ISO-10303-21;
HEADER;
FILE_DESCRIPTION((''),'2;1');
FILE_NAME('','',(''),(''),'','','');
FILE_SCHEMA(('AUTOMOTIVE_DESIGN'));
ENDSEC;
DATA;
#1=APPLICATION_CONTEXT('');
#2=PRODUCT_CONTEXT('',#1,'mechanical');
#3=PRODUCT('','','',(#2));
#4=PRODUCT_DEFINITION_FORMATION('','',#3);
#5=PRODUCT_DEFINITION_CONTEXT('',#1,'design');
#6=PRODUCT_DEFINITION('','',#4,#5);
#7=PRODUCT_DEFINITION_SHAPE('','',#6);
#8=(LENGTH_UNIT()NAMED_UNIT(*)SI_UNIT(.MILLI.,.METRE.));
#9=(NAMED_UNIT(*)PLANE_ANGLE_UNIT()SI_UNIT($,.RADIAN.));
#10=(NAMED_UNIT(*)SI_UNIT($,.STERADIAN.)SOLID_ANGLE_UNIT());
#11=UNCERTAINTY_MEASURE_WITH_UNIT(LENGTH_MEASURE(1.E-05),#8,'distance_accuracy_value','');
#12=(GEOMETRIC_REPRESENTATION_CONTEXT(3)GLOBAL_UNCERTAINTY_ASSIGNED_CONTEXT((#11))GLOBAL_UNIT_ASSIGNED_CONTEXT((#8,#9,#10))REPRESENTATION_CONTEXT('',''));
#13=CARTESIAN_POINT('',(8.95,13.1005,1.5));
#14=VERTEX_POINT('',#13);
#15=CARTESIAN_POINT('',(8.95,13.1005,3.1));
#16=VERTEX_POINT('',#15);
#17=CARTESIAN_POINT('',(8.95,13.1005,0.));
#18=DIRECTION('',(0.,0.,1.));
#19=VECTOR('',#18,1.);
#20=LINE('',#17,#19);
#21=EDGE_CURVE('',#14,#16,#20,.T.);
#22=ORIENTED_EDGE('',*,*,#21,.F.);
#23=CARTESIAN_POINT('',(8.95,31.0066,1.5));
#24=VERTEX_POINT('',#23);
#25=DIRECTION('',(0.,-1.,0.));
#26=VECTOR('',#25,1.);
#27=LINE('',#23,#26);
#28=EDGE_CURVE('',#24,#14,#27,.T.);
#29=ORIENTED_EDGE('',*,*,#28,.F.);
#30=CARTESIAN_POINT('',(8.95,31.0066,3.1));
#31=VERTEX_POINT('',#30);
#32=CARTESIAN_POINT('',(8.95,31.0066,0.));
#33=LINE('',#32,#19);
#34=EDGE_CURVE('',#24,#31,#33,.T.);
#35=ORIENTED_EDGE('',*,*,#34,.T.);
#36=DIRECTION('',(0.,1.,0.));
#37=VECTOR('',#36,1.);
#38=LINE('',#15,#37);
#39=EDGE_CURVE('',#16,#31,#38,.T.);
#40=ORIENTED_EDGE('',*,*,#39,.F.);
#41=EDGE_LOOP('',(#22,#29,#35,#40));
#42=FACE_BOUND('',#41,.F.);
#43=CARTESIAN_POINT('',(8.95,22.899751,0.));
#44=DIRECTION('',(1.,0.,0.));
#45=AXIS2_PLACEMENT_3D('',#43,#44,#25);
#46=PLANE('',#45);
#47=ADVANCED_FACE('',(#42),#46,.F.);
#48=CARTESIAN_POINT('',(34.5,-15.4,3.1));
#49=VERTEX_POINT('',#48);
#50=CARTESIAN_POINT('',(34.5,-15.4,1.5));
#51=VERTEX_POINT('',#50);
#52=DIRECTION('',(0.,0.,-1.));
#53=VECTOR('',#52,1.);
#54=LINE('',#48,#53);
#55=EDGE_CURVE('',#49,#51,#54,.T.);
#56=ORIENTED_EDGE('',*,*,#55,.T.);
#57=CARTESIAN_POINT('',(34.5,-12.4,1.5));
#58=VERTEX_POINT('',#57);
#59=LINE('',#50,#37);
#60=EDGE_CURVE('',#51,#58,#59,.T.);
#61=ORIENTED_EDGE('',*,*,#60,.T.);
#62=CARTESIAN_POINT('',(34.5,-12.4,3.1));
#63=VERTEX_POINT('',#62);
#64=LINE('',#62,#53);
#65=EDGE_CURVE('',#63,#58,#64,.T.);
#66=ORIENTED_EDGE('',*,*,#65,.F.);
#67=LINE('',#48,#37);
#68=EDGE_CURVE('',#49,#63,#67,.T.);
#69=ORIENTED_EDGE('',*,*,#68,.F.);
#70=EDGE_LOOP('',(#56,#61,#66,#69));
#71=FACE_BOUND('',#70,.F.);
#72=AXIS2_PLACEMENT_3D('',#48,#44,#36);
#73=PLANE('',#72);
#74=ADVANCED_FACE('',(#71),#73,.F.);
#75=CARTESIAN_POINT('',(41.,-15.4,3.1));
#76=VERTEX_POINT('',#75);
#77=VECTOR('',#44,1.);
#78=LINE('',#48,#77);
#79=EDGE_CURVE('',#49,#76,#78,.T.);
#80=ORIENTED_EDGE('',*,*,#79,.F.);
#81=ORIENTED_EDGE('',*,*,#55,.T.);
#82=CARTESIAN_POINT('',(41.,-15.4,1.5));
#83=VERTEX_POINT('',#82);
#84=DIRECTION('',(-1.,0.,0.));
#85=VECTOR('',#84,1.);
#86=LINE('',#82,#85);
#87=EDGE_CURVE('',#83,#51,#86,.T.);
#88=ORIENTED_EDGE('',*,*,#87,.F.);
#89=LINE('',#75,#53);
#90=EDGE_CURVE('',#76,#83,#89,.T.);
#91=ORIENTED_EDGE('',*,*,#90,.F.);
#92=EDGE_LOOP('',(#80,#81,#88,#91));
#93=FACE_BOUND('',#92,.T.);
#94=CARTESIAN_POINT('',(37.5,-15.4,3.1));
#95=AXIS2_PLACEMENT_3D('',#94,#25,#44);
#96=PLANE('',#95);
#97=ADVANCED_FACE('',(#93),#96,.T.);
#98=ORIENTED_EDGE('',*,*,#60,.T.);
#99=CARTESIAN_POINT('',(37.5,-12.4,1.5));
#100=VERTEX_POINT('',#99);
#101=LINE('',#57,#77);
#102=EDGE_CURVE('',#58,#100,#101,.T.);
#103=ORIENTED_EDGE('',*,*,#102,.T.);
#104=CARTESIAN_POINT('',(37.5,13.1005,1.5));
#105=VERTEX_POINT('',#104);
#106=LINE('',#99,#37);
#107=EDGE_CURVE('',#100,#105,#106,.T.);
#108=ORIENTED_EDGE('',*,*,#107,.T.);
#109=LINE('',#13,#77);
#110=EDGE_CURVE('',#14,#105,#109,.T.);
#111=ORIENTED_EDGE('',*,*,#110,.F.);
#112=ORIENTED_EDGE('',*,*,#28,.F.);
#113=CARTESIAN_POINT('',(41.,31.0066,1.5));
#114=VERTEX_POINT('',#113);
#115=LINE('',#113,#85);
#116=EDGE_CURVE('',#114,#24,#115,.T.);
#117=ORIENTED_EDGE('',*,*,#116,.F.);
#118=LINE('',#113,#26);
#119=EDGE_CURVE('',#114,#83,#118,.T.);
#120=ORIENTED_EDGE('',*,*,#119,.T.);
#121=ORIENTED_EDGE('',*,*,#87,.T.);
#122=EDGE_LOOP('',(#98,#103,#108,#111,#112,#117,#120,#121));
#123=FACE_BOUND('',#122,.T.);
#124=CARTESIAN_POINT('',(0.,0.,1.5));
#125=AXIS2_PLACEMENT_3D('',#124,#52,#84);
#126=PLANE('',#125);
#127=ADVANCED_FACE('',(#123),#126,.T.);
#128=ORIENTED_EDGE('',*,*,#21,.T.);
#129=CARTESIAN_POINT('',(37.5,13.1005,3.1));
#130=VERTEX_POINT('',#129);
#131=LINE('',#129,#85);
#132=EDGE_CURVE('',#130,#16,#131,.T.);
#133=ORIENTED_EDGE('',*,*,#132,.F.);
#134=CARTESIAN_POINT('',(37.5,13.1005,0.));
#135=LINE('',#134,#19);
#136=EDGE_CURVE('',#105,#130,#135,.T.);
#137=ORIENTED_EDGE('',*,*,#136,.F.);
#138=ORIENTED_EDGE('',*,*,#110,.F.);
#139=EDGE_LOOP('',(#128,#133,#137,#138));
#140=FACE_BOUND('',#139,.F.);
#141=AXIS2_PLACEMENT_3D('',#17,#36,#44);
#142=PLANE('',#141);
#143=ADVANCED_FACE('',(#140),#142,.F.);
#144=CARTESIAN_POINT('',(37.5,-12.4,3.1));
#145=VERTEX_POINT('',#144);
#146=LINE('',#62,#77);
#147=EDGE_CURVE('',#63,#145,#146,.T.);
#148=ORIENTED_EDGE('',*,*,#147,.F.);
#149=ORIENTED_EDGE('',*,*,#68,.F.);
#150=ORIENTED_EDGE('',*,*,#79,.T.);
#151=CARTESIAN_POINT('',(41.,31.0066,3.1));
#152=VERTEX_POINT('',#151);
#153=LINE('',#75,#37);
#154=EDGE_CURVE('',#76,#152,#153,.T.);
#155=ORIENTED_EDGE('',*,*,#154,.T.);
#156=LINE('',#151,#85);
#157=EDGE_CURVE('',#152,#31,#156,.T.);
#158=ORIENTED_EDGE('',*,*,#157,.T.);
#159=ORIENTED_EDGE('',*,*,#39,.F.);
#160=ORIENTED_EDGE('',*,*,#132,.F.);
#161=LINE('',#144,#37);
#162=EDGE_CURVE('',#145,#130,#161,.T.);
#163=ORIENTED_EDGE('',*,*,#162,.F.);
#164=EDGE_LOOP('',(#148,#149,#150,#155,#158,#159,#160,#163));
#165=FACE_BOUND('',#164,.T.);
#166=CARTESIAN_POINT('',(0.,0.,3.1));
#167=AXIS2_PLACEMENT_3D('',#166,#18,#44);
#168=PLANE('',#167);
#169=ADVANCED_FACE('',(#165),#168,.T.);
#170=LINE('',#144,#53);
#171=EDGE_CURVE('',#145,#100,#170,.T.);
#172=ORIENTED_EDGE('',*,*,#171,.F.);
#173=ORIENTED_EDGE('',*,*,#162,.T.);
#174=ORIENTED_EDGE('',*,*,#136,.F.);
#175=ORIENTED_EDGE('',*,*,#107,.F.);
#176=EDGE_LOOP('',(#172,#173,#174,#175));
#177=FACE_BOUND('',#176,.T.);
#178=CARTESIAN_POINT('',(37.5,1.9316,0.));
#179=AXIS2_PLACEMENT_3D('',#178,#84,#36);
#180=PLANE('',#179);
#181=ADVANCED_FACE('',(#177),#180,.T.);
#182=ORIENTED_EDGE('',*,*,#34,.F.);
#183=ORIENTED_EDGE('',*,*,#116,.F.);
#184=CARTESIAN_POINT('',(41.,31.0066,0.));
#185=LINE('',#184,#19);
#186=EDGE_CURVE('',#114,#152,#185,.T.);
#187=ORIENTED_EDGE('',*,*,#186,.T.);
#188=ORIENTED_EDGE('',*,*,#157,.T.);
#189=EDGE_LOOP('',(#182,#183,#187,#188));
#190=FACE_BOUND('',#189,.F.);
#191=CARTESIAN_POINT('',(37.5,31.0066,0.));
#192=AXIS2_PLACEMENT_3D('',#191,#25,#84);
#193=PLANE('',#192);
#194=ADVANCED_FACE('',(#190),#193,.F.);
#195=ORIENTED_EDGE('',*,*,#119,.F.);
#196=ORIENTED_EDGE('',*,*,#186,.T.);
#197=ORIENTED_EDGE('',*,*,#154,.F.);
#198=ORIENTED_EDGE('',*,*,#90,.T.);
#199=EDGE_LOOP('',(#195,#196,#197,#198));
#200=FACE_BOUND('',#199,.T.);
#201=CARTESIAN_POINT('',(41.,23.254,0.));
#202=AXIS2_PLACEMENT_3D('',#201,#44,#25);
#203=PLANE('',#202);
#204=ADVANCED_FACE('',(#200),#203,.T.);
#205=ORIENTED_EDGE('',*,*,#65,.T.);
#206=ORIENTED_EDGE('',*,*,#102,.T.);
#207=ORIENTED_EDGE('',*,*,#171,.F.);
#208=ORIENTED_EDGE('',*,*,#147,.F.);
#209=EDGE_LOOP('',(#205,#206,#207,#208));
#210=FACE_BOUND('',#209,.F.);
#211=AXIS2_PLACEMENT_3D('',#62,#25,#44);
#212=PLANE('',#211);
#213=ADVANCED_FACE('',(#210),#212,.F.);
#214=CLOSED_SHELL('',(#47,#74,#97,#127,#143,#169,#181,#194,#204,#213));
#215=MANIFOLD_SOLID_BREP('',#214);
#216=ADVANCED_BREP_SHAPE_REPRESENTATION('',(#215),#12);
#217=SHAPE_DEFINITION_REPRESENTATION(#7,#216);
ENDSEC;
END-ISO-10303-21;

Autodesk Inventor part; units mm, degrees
ref_plane "YZ Plane" through (0, 0, 0) normal (1, 0, 0) x (0, 1, 0)
ref_plane "XZ Plane" through (0, 0, 0) normal (0, 1, 0) x (-1, 0, 0)
ref_plane "XY Plane" through (0, 0, 0) normal (0, 0, 1) x (1, 0, 0)
sketch "Sketch1" plane through (0, 0, 0) normal (0, 0, 1) x (1, 0, 0)
  line L0 (12.5, -5.24) -> (15, -5.24) projected
  line L1 (15, -5.24) -> (15, -10.24) projected
  line L2 (15, -10.24) -> (12.5, -10.24) projected
  arc A0 (12.5, -5.24) -> (12.5, -10.24) centre (12.5, -7.74) ccw projected
  line L3 (-15, -5.24) -> (-12.5, -5.24) projected
  arc A1 (-12.5, -10.24) -> (-12.5, -5.24) centre (-12.5, -7.74) ccw projected
  line L4 (-12.5, -10.24) -> (-15, -10.24) projected
  line L5 (-15, -10.24) -> (-15, -5.24) projected
  circle A2 centre (-7.5, -12.2) radius 1.75 projected
  circle A3 centre (7.5, -12.2) radius 1.75 projected
  line L6 (2.4, 25.954) -> (2.4, 24.254) projected
  line L7 (4, 25.954) -> (2.4, 25.954) projected
  line L8 (4, 24.254) -> (4, 25.954) projected
  line L9 (50, 22.6643) -> (44, 22.6643) projected
  line L10 (44, 22.6643) -> (44, -4.7413) projected
  arc A4 (44, -9.7413) -> (44, -4.7413) centre (44, -7.2413) ccw projected
  line L11 (44, -9.7413) -> (44, -18.8012) projected
  line L12 (44, -18.8012) -> (50, -18.8012) projected
  line L13 (50, -18.8012) -> (50, 22.6643) projected
  line L14 (40.2471, -8.6254) -> (44, -18.8012) projected
  line L15 (44, -9.7413) -> (44, -18.8012) projected
  arc A5 (44, -4.7413) -> (44, -9.7413) centre (44, -7.2413) ccw projected
  line L16 (44, 4.3187) -> (44, -4.7413) projected
  line L17 (44, 4.3187) -> (40.2471, -5.8572) projected
  arc A6 (40.2471, -5.8572) -> (40.2471, -8.6254) centre (44, -7.2413) ccw projected
  line L18 (8.95, 13.1005) -> (37.5, 13.1005)
  line L19 (37.5, 13.1005) -> (37.5, 31.0066)
  line L20 (37.5, 31.0066) -> (8.95, 31.0066)
  line L21 (8.95, 31.0066) -> (8.95, 13.1005)
  line L22 (44, 18.1772) -> (41, 18.1772)
  line L23 (41, 18.1772) -> (41, 7.8033)
  line L24 (41, 7.8033) -> (44, 7.8033)
  line L25 (44, 7.8033) -> (44, 18.1772)
  line L26 (37.5, 31.0066) -> (41, 31.0066)
  line L27 (41, 31.0066) -> (41, 1.9316)
  line L28 (41, 1.9316) -> (37.5, 1.9316)
  line L29 (37.5, 1.9316) -> (37.5, 31.0066)
  line L30 (8.95, 31.0066) -> (41, 31.0066)
  line L31 (41, 31.0066) -> (41, 23.254)
  line L32 (41, 23.254) -> (8.95, 23.254)
  line L33 (8.95, 23.254) -> (8.95, 31.0066)
  line L34 (17.8602, 13.1005) -> (37.5, 13.1005)
  line L35 (37.5, 13.1005) -> (37.5, -15.4)
  line L36 (37.5, -15.4) -> (17.8602, -15.4)
  line L37 (17.8602, -15.4) -> (17.8602, 13.1005)
  line L38 (37.5, -15.4) -> (41, -15.4)
  line L39 (41, -15.4) -> (41, 1.9316)
  line L40 (41, 1.9316) -> (37.5, 1.9316)
  line L41 (37.5, 1.9316) -> (37.5, -15.4)
  arc A7 (-17.7252, -6.9095) -> (-17.704, -4.5096) centre (-17.7146, -5.7096) ccw projected
  line L42 (-17.7252, -6.9095) -> (-18.8252, -6.8998) projected
  arc A8 (-18.8039, -4.4999) -> (-18.8252, -6.8998) centre (-18.8145, -5.6998) ccw projected
  line L43 (-18.8039, -4.4999) -> (-17.704, -4.5096) projected
  circle A9 centre (21.3634, 8.1005) radius 1.5 projected
  arc A10 (-17.5172, 16.5895) -> (-17.496, 18.9894) centre (-17.5066, 17.7895) ccw projected
  line L44 (-17.5172, 16.5895) -> (-18.6172, 16.5993) projected
  arc A11 (-18.5959, 18.9992) -> (-18.6172, 16.5993) centre (-18.6065, 17.7992) ccw projected
  line L45 (-18.5959, 18.9992) -> (-17.496, 18.9894) projected
  circle A12 centre (34, -10.4) radius 1.5 projected
  arc A13 (36.5, 15.1772) -> (34.5, 17.1772) centre (34.5, 15.1772) ccw projected
  line L46 (16.4051, 17.1772) -> (34.5, 17.1772) projected
  arc A14 (12.4051, 21.1772) -> (16.4051, 17.1772) centre (16.4051, 21.1772) ccw projected
  line L47 (12.4051, 28.0066) -> (12.4051, 21.1772) projected
  arc A15 (12.4051, 28.0066) -> (10.4051, 30.0066) centre (10.4051, 28.0066) ccw projected
  line L48 (-18.5665, 30.0066) -> (10.4051, 30.0066) projected
  arc A16 (-18.5665, 30.0066) -> (-20.5665, 28.0066) centre (-18.5665, 28.0066) ccw projected
  line L49 (-20.5665, 18.4539) -> (-20.5665, 28.0066) projected
  arc A17 (-24.5665, 14.4539) -> (-20.5665, 18.4539) centre (-24.5665, 18.4539) ccw projected
  line L50 (-34.5, 14.4539) -> (-24.5665, 14.4539) projected
  arc A18 (-34.5, 14.4539) -> (-36.5, 12.4539) centre (-34.5, 12.4539) ccw projected
  line L51 (-36.5, -12.4) -> (-36.5, 12.4539) projected
  arc A19 (-36.5, -12.4) -> (-34.5, -14.4) centre (-34.5, -12.4) ccw projected
  line L52 (34.5, -14.4) -> (-34.5, -14.4) projected
  arc A20 (34.5, -14.4) -> (36.5, -12.4) centre (34.5, -12.4) ccw projected
  line L53 (36.5, 15.1772) -> (36.5, -12.4) projected
  line L54 (5.95, 24.254) -> (4, 24.254) projected
  arc A21 (9.95, 20.254) -> (5.95, 24.254) centre (5.95, 20.254) ccw projected
  line L55 (9.95, 16.1005) -> (9.95, 20.254) projected
  arc A22 (9.95, 16.1005) -> (11.95, 14.1005) centre (11.95, 16.1005) ccw projected
  line L56 (14.8602, 14.1005) -> (11.95, 14.1005) projected
  arc A23 (18.8602, 10.1005) -> (14.8602, 14.1005) centre (14.8602, 10.1005) ccw projected
  line L57 (18.8602, -0.2) -> (18.8602, 10.1005) projected
  arc A24 (14.8602, -4.2) -> (18.8602, -0.2) centre (14.8602, -0.2) ccw projected
  line L58 (12.1354, -4.2) -> (14.8602, -4.2) projected
  arc A25 (12.1354, -4.2) -> (11.1485, -4.4605) centre (12.1354, -6.2) ccw projected
  line L59 (7.9105, -6.2976) -> (11.1485, -4.4605) projected
  arc A26 (5.9366, -6.8186) -> (7.9105, -6.2976) centre (5.9366, -2.8186) ccw projected
  line L60 (-5.9366, -6.8186) -> (5.9366, -6.8186) projected
  arc A27 (-7.9105, -6.2976) -> (-5.9366, -6.8186) centre (-5.9366, -2.8186) ccw projected
  line L61 (-11.1485, -4.4605) -> (-7.9105, -6.2976) projected
  arc A28 (-11.1485, -4.4605) -> (-12.1354, -4.2) centre (-12.1354, -6.2) ccw projected
  line L62 (-14.8602, -4.2) -> (-12.1354, -4.2) projected
  arc A29 (-18.8602, -0.2) -> (-14.8602, -4.2) centre (-14.8602, -0.2) ccw projected
  line L63 (-18.8602, 10.3433) -> (-18.8602, -0.2) projected
  arc A30 (-15.9867, 14.1814) -> (-18.8602, 10.3433) centre (-14.8602, 10.3433) ccw projected
  arc A31 (-15.9867, 14.1814) -> (-14.55, 16.1005) centre (-16.55, 16.1005) ccw projected
  line L64 (-14.55, 20.254) -> (-14.55, 16.1005) projected
  arc A32 (-10.55, 24.254) -> (-14.55, 20.254) centre (-10.55, 20.254) ccw projected
  line L65 (2.4, 24.254) -> (-10.55, 24.254) projected
  point P0 (0, 0)
  point P1 (41, -3.8157)
  point P2 (41, -10.6668)
  dimension "d0" = 3
extrude "Extrusion1" add sketch "Sketch1" along normal blind 3.1 contours A21 L55 A22 L56 A23 L18 L21 | L21 L32 L47 A14 L46 A13 L53 L18 A23 L56 A22 L55 A21 | L21 L48 A15 L47 L32 | L21 L20 L19 L32 L47 A15 L48 | L32 L19 L18 L53 A13 L46 A14 L47 | L32 L27 L23 L28 L29 L19 | L19 L26 L27 L32
sketch "Sketch2" plane through (0, 0, 0) normal (0, 0, -1) x (-1, 0, 0)
  line L0 (-8.95, 31.0066) -> (-8.95, 13.1005) projected
  line L1 (-41, 1.9316) -> (-41, 31.0066) projected
  line L2 (-37.5, 1.9316) -> (-41, 1.9316) projected
  line L3 (-41, 31.0066) -> (-8.95, 31.0066) projected
  line L4 (-37.5, 13.1005) -> (-37.5, 1.9316) projected
  line L5 (-8.95, 13.1005) -> (-37.5, 13.1005) projected
  point P0 (0, 0)
extrude "Extrusion2" cut sketch "Sketch2" against normal blind 1.5
sketch "Sketch3" plane through (41, -3.8157, 3.1) normal (1, 0, 0) x (0, 0, -1)
  line L0 (38.317, 76.7923) -> (28.0867, 64.6003) projected
  line L1 (-3.9, -14.9855) -> (-3.9, 26.48) projected
  line L2 (-3.9, -14.9855) -> (7.1, -14.9855) projected
  line L3 (7.1, -14.9855) -> (7.1, 1.1145) projected
  arc A0 (25.2, 19.2145) -> (7.1, 1.1145) centre (25.2, 1.1145) ccw projected
  line L4 (25.2, 19.2145) -> (36.2, 19.2145) projected
  line L5 (1.6, 5.7473) -> (1.6, 34.8223) projected
  line L6 (1.6, 34.8223) -> (0, 34.8223) projected
  line L7 (0, 5.7473) -> (0, 34.8223) projected
  line L8 (0, 0) -> (0, 34.8223) projected
  line L9 (0, 30.197) -> (1.6, 30.197)
  line L10 (28.0867, 30.906) -> (23.6867, 30.906) projected
  line L11 (23.6867, 30.906) -> (23.6867, 44.6714) projected
  line L12 (23.6867, 44.6714) -> (28.0867, 44.6714) projected
  line L13 (28.0867, 44.6714) -> (28.0867, 30.906) projected
  line L14 (28.0867, 64.6003) -> (28.0867, 59.2448) projected
  line L15 (36.2, 19.2145) -> (36.2, 63.075) projected
  line L16 (36.2, 63.075) -> (39.2, 63.075) projected
  line L17 (39.2, 63.075) -> (39.2, 76.4709) projected
  line L18 (23.5929, 59.2448) -> (-3.9, 26.48) projected
  arc A1 (39.2, 76.4709) -> (38.317, 76.7923) centre (38.7, 76.4709) ccw projected
  line L19 (23.5929, 59.2448) -> (28.0867, 59.2448) projected
  line L20 (11.8485, 39.6478) -> (14.4531, 37.4623) projected
  line L21 (14.4531, 37.4623) -> (10.9819, 33.3255) projected
  line L22 (10.9819, 33.3255) -> (8.3773, 35.511) projected
  line L23 (11.8485, 39.6478) -> (8.3773, 35.511) projected
  line L24 (1.6, 5.7473) -> (0, 5.7473) projected
  point P0 (3.1, 3.8157)
  point P1 (36.2, 74.2694)
extrude "Extrusion3" [suppressed]
sketch "Sketch4" plane through (0, 0, 3.1) normal (0, 0, 1) x (1, 0, 0)
  line L0 (31.7, -15.7) -> (31.7, 9.3) projected
  line L1 (41, -15.4) -> (41, -10.6668) projected
  line L2 (41, -3.8157) -> (41, -10.6668)
  line L3 (37.5, 1.9316) -> (41, 1.9316) projected
  line L4 (41, 31.0066) -> (8.95, 31.0066) projected
  line L5 (8.95, 31.0066) -> (8.95, 13.1005) projected
  line L6 (8.95, 13.1005) -> (37.5, 13.1005) projected
  line L7 (37.5, 13.1005) -> (37.5, 1.9316) projected
  line L8 (41, 1.9316) -> (41, 31.0066) projected
  point P0 (0, 0)
extrude "Extrusion4" [suppressed]
sketch "Sketch5" plane through (0, 0, 3.1) normal (0, 0, 1) x (1, 0, 0)
  line L0 (15, 8.3373) -> (15, -1.2152) projected
  line L1 (8.95, 13.1005) -> (17.8602, 13.1005) projected
  line L2 (17.8602, 13.1005) -> (16.3634, 13.1005)
  line L3 (16.3634, 13.1005) -> (16.3634, -15.4)
  line L4 (16.3634, -15.4) -> (17.8602, -15.4)
  line L5 (17.8602, -15.4) -> (17.8602, 13.1005)
  line L6 (37.5, 1.9316) -> (41, 1.9316) projected
  line L7 (41, 31.0066) -> (8.95, 31.0066) projected
  line L8 (8.95, 31.0066) -> (8.95, 13.1005) projected
  line L9 (8.95, 13.1005) -> (37.5, 13.1005) projected
  line L10 (37.5, 13.1005) -> (37.5, 1.9316) projected
  line L11 (41, 1.9316) -> (41, 31.0066) projected
  point P0 (0, 0)
extrude "Extrusion5" [suppressed]
sketch "Sketch6" plane through (0, 0, 3.1) normal (0, 0, 1) x (1, 0, 0)
  line L0 (16.3634, -15.4) -> (41, -15.4) projected
  line L1 (28.6817, -15.4) -> (28.6817, 26.3813)
  line L2 (41, 26.3813) -> (8.95, 26.3813) projected
  line L3 (28.6817, -15.4) -> (28.6817, -9.9)
  line L4 (28.6817, 26.3813) -> (28.6817, 20.8813)
  line L5 (16.3634, 13.1005) -> (41, 13.1005)
  line L6 (41, -15.4) -> (41, 26.3813) projected
  line L7 (16.3634, 13.1005) -> (21.3634, 13.1005)
  line L8 (21.3634, 13.1005) -> (21.3634, 8.1005)
  line L9 (21.3634, 8.1005) -> (16.3634, 8.1005)
  line L10 (16.3634, 8.1005) -> (16.3634, 13.1005)
  line L11 (41, -15.4) -> (36, -15.4)
  line L12 (36, -15.4) -> (36, -10.4)
  line L13 (36, -10.4) -> (41, -10.4)
  line L14 (41, -10.4) -> (41, -15.4)
  circle A0 centre (21.3634, 8.1005) radius 1.5
  circle A1 centre (36, -10.4) radius 1.5
  line L15 (37.5, 1.9316) -> (41, 1.9316) projected
  line L16 (41, 31.0066) -> (8.95, 31.0066) projected
  line L17 (8.95, 31.0066) -> (8.95, 13.1005) projected
  line L18 (8.95, 13.1005) -> (37.5, 13.1005) projected
  line L19 (37.5, 13.1005) -> (37.5, 1.9316) projected
  line L20 (41, 1.9316) -> (41, 31.0066) projected
  point P0 (0, 0)
  dimension "d11" = 5.5
  dimension "d12" = 5.5
  dimension "d13" = 5
  dimension "d14" = 5
  dimension "d15" = 5
  dimension "d16" = 5
  dimension "d17" = 3
  dimension "d18" = 3
extrude "Extrusion6" cut sketch "Sketch6" against normal blind 1.6 contours A1 L13 L12 | L12 L13 A1 | A0 L9 L8 | L8 L9 A0
sketch "Sketch8" plane through (0, 0, 3.1) normal (0, 0, 1) x (1, 0, 0)
  line L0 (36, -10.4) -> (34, -10.4)
  circle A0 centre (34, -10.4) radius 1.5
  line L1 (37.5, 1.9316) -> (41, 1.9316) projected
  line L2 (41, 31.0066) -> (8.95, 31.0066) projected
  line L3 (8.95, 31.0066) -> (8.95, 13.1005) projected
  line L4 (8.95, 13.1005) -> (37.5, 13.1005) projected
  line L5 (37.5, 13.1005) -> (37.5, 1.9316) projected
  line L6 (41, 1.9316) -> (41, 31.0066) projected
  point P0 (0, 0)
  dimension "d21" = 2
extrude "Extrusion7" [suppressed]
extrude "Extrusion8" cut sketch "Sketch8" against normal blind 1.6 contours A0
sketch "Sketch9" plane through (0, 0, 3.1) normal (0, 0, 1) x (1, 0, 0)
  line L0 (37.5, 1.9316) -> (41, 1.9316) projected
  line L1 (8.95, 13.1005) -> (41, 13.1005)
  line L2 (41, 13.1005) -> (41, 26.3813)
  line L3 (41, 26.3813) -> (8.95, 26.3813)
  line L4 (8.95, 26.3813) -> (8.95, 13.1005)
  line L5 (41, 31.0066) -> (8.95, 31.0066) projected
  line L6 (8.95, 31.0066) -> (8.95, 13.1005) projected
  line L7 (8.95, 13.1005) -> (37.5, 13.1005) projected
  line L8 (37.5, 13.1005) -> (37.5, 1.9316) projected
  line L9 (41, 1.9316) -> (41, 31.0066) projected
  point P0 (0, 0)
extrude "Extrusion9" [suppressed]
sketch "Sketch10" plane through (0, 0, 3.1) normal (0, 0, 1) x (1, 0, 0)
  line L0 (37.5, 1.9316) -> (41, 1.9316) projected
  line L1 (41, 1.9316) -> (37.5, 1.9316)
  line L2 (37.5, 1.9316) -> (37.5, -15.4)
  line L3 (37.5, -15.4) -> (41, -15.4)
  line L4 (41, -15.4) -> (41, 1.9316)
  arc A0 (34.5, -15.4) -> (37.5, -12.4) centre (34.5, -12.4) ccw projected
  line L5 (37.5, -15.4) -> (34.5, -15.4)
  line L6 (34.5, -15.4) -> (34.5, -12.4)
  line L7 (34.5, -12.4) -> (37.5, -12.4)
  line L8 (37.5, -12.4) -> (37.5, -15.4)
  line L9 (41, 31.0066) -> (8.95, 31.0066) projected
  line L10 (8.95, 31.0066) -> (8.95, 13.1005) projected
  line L11 (8.95, 13.1005) -> (37.5, 13.1005) projected
  line L12 (37.5, 13.1005) -> (37.5, 1.9316) projected
  line L13 (41, 1.9316) -> (41, 31.0066) projected
  point P0 (0, 0)
extrude "Extrusion10" add sketch "Sketch10" against normal blind 1.6 contours L0 L4 L3 L2 | L2 L5 A0 | A0 L6 L7
properties part number "PCB_2_Miras"
